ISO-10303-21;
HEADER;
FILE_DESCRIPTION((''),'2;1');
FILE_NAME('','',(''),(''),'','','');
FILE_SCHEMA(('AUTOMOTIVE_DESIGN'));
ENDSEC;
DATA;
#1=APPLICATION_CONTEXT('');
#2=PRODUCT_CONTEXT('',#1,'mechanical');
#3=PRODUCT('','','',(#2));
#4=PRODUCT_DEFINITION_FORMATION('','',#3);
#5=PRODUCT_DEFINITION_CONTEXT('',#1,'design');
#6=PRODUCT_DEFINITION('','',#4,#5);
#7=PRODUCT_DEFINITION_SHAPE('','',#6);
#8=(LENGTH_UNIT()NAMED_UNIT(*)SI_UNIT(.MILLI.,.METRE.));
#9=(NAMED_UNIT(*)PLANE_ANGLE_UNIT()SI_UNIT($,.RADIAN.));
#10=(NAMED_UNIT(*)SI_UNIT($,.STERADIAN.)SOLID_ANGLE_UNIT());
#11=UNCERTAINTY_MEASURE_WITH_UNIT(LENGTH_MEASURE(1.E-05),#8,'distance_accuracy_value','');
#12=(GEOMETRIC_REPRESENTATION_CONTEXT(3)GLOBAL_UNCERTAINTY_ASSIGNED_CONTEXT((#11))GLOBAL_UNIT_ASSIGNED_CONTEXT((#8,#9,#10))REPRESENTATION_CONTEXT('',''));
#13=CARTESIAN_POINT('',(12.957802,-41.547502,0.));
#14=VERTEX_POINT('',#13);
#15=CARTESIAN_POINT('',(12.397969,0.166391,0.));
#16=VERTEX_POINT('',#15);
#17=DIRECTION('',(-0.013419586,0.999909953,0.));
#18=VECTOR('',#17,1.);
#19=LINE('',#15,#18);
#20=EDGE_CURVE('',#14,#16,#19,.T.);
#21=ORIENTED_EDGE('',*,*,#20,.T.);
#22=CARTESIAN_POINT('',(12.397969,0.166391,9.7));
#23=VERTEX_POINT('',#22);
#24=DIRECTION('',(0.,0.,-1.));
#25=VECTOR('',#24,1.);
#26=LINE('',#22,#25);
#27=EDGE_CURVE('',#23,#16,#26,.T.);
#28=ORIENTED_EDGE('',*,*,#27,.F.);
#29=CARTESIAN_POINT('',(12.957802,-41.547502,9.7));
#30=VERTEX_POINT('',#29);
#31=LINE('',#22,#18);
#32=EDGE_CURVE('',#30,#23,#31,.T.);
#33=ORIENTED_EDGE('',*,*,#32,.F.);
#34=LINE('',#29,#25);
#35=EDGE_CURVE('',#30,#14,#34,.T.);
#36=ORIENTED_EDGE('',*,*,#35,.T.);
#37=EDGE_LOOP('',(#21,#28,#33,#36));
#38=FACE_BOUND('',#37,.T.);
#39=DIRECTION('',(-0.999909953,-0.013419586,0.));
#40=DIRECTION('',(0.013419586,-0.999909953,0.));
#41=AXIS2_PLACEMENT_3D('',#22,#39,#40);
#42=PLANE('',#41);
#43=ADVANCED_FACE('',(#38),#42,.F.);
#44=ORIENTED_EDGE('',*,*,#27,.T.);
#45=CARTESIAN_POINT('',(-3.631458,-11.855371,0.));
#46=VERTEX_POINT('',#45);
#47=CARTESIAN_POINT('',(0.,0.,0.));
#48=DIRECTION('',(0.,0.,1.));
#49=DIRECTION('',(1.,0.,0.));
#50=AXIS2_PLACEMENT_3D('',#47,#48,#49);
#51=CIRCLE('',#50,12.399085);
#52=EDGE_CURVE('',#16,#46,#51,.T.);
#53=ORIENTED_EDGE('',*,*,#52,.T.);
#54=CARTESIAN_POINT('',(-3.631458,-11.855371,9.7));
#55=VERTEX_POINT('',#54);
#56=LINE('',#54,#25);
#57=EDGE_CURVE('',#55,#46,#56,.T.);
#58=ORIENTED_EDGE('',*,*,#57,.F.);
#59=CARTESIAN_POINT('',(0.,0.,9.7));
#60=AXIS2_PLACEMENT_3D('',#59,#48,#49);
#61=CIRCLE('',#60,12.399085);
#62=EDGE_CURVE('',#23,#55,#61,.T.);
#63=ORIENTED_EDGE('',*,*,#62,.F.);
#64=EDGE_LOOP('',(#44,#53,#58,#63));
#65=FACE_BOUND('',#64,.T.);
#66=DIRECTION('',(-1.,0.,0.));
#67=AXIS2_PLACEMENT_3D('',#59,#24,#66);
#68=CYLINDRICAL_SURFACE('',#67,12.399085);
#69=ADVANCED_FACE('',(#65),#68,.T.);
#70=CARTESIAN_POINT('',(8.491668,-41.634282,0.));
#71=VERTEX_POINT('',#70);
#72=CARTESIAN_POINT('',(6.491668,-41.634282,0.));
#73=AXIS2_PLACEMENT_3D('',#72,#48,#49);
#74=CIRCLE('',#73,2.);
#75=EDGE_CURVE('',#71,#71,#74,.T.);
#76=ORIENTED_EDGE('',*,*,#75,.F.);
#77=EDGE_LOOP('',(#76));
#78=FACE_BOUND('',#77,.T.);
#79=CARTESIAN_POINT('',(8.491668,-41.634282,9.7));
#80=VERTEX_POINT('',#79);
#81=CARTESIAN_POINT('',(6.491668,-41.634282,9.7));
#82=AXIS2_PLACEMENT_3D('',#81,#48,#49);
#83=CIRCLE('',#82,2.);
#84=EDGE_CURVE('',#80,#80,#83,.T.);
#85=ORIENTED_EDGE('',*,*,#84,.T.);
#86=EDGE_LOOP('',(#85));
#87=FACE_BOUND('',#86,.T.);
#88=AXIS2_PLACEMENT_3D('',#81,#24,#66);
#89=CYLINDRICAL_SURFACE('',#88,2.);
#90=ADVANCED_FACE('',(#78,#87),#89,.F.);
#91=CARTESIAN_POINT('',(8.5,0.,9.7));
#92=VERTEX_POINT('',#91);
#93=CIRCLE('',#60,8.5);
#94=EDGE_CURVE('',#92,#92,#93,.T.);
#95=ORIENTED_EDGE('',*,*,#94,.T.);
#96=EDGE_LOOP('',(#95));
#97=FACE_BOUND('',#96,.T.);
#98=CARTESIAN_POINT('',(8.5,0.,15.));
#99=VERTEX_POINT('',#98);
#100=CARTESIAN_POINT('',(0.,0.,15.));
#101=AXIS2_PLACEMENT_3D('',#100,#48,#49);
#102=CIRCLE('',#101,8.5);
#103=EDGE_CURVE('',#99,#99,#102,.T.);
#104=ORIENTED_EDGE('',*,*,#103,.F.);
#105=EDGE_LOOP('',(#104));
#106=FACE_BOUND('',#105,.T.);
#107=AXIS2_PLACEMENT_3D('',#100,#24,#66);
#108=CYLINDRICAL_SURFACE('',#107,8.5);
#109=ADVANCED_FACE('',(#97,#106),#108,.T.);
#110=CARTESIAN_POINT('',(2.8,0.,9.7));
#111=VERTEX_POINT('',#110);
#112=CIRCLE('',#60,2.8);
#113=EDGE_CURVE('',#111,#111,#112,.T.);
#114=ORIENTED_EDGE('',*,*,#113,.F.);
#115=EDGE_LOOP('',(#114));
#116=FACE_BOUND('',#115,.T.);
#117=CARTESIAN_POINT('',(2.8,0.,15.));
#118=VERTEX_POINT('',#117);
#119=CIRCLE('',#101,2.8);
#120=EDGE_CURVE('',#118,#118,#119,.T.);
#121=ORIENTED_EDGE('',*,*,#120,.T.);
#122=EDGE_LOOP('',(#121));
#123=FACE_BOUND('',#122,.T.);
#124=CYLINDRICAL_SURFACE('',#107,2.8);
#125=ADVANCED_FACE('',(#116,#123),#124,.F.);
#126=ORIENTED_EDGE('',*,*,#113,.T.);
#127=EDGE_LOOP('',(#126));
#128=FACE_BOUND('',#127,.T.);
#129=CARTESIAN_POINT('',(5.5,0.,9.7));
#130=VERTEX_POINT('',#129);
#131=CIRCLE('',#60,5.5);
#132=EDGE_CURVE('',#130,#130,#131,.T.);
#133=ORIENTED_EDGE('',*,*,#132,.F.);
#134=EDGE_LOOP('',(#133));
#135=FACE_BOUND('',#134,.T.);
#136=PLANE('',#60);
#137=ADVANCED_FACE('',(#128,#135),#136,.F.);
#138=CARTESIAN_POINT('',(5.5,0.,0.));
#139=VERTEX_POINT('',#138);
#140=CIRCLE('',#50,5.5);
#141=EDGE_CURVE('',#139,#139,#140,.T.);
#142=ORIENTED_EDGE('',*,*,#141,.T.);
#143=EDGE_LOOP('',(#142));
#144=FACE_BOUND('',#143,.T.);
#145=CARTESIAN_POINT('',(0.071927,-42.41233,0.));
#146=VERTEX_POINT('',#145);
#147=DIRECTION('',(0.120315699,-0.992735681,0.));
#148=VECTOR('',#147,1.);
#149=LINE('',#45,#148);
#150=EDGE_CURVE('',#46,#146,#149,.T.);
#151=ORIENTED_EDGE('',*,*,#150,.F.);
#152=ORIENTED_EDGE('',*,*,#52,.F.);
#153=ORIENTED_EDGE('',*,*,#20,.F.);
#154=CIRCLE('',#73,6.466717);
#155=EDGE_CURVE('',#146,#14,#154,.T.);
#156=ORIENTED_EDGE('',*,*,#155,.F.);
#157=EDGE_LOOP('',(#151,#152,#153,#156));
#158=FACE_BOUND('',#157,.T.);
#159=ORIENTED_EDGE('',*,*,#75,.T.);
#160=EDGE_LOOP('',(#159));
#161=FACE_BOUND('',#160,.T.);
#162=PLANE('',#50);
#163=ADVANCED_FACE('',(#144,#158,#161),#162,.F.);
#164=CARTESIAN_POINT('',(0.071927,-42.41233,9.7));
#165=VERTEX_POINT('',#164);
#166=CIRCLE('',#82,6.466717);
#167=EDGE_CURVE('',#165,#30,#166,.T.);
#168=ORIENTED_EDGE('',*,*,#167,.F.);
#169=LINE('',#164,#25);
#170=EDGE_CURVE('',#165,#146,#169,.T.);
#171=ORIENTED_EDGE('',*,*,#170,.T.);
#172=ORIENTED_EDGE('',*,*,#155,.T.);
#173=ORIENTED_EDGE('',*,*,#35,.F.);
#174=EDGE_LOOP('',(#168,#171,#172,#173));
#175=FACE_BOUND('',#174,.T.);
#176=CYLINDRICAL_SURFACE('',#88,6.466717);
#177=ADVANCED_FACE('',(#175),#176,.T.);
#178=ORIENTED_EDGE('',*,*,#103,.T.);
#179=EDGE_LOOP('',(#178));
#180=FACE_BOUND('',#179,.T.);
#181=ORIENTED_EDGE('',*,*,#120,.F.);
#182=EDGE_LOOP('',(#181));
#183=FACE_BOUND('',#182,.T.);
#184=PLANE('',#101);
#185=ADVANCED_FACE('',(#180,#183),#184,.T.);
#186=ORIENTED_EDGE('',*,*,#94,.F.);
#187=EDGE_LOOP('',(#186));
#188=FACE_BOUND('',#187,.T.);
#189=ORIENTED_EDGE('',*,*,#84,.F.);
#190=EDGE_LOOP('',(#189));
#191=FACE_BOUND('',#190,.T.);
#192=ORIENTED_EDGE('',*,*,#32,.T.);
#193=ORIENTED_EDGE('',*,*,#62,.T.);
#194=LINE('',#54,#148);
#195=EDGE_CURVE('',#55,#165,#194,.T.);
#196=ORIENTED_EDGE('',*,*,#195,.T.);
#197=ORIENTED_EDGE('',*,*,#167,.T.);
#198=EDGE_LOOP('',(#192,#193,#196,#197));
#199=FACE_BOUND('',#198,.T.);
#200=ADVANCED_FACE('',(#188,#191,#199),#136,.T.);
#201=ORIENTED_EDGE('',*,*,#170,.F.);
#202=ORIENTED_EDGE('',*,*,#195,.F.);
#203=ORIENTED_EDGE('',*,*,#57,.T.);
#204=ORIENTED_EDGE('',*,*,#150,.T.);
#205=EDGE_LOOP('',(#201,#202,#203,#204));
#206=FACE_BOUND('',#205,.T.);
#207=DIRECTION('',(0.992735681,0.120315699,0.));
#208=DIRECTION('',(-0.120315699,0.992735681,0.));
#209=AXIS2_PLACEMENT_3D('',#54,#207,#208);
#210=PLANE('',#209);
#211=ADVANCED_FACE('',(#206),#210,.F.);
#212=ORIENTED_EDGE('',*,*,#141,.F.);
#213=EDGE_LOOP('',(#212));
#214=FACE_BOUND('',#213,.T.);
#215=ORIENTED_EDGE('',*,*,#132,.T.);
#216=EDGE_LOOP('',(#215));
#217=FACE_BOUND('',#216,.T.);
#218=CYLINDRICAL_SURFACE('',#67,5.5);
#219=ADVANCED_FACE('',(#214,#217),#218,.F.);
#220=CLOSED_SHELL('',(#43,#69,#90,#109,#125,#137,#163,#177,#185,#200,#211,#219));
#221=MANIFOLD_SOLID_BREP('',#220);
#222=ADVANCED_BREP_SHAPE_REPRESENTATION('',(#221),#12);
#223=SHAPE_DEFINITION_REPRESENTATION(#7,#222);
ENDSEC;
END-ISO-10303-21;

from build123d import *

# Parameters (mm, degrees)
ESBO_O1_R                = 2
ESBO_O1_R_2              = 5.5
RESSALTO_EXTRUS_O1_DEPTH = 9.7
ESBO_O2_R                = 8.5
ESBO_O2_R_2              = 2.8
RESSALTO_EXTRUS_O2_DEPTH = 5.3


with BuildPart() as part:
    # Esboço1 → Ressalto-extrusão1 (new body)
    with BuildSketch(Plane.XY):
        with BuildLine():
            Line((-3.631457669, -11.855371335), (0.071926714, -42.412329846))
            ThreePointArc((0.071926714, -42.412329846), (6.924703408, -48.086484209), (12.957802317, -41.547501589))
            Line((12.957802317, -41.547501589), (12.397968723, 0.166390596))
            ThreePointArc((12.397968723, 0.166390596), (-7.439329204, 9.919359621), (-3.631457669, -11.855371335))
        make_face()
        with Locations((6.491667521, -41.634282258)):
            Circle(ESBO_O1_R, mode=Mode.SUBTRACT)
        Circle(ESBO_O1_R_2, mode=Mode.SUBTRACT)
    extrude(amount=RESSALTO_EXTRUS_O1_DEPTH)

    # Esboço2 → Ressalto-extrusão2 (add)
    with BuildSketch(Plane.XY.offset(9.7)):
        Circle(ESBO_O2_R)
        Circle(ESBO_O2_R_2, mode=Mode.SUBTRACT)
    extrude(amount=RESSALTO_EXTRUS_O2_DEPTH)


solid = part.part
